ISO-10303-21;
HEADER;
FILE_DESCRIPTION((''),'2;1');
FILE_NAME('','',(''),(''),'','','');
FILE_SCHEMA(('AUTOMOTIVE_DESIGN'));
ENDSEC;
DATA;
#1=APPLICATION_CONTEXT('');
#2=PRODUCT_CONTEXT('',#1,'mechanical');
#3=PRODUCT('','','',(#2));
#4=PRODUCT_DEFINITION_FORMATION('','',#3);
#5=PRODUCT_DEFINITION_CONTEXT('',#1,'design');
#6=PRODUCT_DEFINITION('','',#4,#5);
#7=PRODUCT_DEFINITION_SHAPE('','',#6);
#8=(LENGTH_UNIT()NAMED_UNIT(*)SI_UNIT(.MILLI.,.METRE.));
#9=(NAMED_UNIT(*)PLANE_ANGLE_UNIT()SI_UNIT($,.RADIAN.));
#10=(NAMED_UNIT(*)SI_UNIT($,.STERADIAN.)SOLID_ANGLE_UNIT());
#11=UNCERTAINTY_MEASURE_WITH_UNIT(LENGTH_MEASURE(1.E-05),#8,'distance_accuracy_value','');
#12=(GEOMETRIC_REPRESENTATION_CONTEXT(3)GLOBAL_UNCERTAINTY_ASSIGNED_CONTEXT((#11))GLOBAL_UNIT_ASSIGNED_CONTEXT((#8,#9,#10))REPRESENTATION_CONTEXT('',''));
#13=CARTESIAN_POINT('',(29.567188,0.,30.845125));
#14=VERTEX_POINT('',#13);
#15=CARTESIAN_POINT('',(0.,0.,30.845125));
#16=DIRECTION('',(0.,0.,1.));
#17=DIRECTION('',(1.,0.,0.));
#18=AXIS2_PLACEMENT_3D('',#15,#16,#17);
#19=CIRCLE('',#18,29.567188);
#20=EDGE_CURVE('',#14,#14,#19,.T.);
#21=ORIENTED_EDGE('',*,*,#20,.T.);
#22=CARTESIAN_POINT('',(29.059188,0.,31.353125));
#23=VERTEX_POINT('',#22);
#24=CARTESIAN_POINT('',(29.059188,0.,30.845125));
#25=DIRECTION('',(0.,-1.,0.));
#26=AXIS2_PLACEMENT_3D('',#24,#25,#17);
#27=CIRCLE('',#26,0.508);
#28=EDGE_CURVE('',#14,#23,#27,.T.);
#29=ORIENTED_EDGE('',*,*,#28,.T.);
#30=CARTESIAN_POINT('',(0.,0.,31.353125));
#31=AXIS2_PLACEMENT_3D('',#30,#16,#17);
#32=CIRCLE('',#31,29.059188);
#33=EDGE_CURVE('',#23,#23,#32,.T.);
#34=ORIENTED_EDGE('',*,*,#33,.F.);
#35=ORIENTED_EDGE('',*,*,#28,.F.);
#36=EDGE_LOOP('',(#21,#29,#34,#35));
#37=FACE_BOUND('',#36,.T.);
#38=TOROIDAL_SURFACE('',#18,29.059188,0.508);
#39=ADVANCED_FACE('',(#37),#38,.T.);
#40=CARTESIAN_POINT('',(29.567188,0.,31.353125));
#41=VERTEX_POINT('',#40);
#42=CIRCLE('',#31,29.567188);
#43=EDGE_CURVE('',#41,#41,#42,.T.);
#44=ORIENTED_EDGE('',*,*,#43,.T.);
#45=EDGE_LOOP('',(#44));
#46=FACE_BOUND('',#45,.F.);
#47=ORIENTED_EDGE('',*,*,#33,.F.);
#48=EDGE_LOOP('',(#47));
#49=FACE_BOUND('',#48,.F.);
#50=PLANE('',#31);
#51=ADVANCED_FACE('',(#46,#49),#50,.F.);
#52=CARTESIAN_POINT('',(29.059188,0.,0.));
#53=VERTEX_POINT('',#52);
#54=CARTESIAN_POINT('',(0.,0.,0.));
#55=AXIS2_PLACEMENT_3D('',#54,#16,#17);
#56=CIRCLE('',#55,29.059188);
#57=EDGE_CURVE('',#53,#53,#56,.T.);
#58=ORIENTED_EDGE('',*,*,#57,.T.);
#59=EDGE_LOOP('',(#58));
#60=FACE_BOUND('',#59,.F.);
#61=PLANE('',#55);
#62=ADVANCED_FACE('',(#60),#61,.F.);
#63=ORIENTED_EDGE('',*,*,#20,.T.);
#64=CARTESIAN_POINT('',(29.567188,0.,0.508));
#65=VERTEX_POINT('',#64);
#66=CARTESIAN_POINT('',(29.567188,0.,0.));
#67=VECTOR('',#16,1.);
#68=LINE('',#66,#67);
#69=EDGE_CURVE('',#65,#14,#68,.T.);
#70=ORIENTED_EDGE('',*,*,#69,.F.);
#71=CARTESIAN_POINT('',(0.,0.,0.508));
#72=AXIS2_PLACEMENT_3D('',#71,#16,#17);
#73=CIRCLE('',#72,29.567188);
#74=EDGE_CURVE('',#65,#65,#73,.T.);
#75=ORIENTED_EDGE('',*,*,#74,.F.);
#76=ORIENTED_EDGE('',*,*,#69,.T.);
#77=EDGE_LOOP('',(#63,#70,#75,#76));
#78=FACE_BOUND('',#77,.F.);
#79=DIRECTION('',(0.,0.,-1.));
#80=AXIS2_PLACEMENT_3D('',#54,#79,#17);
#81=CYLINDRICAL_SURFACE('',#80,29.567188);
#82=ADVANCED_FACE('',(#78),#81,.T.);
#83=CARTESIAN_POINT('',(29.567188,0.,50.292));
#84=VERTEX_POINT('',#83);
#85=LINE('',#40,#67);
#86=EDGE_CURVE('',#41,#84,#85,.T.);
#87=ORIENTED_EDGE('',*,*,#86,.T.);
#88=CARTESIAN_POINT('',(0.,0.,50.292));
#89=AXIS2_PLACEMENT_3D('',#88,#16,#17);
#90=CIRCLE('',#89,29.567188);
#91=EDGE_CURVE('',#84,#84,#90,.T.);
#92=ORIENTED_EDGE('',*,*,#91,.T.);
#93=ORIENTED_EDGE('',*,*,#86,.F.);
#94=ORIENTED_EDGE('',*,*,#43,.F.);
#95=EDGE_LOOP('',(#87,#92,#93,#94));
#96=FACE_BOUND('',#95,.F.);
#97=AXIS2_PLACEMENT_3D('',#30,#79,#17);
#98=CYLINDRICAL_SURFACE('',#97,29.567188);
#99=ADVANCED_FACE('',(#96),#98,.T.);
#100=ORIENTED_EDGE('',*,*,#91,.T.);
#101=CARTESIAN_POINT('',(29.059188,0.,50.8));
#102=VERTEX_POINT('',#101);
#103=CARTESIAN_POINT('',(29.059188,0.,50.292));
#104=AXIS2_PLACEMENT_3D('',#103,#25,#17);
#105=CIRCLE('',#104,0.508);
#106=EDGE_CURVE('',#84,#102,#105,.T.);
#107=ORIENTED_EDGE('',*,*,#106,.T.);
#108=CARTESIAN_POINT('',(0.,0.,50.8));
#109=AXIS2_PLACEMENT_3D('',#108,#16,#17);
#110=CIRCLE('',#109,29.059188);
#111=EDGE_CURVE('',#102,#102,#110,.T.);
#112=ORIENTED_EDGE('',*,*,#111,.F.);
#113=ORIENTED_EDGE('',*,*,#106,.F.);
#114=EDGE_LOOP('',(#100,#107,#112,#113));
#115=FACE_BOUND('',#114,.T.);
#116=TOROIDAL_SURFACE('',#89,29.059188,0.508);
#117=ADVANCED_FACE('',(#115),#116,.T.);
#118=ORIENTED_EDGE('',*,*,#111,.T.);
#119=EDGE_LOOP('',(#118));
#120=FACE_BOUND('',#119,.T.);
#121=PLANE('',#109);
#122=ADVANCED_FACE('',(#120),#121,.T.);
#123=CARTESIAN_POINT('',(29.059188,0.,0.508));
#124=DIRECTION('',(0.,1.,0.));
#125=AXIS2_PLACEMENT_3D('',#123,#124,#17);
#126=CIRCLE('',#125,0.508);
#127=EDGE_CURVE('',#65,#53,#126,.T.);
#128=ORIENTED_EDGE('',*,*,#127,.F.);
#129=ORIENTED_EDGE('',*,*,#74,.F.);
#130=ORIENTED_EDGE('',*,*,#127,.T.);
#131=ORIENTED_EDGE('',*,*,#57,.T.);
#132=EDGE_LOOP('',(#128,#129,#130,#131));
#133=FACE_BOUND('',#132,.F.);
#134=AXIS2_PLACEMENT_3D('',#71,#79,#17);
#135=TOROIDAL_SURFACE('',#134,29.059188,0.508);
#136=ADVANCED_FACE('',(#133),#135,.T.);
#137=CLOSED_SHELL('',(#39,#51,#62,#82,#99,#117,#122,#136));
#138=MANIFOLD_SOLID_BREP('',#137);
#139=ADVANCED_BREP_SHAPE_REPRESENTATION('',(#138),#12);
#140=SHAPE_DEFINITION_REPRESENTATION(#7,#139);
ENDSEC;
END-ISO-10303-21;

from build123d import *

# Parameters (mm, degrees)
F0_R     = 29.567188
F1_DEPTH = 31.353125
F2_R     = 0.508
F3_R     = 29.567188
F4_DEPTH = 19.446875
F5_R     = 0.508


with BuildPart() as f1:
    # F0 (on Top) → F1 (new body)
    with BuildSketch(Plane.XY):
        Circle(F0_R)
    extrude(amount=F1_DEPTH)

    # F2
    f2_edges = [f1.edges().sort_by_distance(p)[0] for p in [
        (-29.567188, 0, 0),
        (-29.567188, 0, 31.353125),
    ]]
    fillet(f2_edges, radius=F2_R)

    # F3 (on face) → F4 (join)
    with BuildSketch(Plane.XY.offset(31.353125)):
        Circle(F3_R)
    extrude(amount=F4_DEPTH)

    # F5
    f5_edges = [f1.edges().sort_by_distance(p)[0] for p in [
        (-29.567188, 0, 50.8),
    ]]
    fillet(f5_edges, radius=F5_R)


solid = f1.part
